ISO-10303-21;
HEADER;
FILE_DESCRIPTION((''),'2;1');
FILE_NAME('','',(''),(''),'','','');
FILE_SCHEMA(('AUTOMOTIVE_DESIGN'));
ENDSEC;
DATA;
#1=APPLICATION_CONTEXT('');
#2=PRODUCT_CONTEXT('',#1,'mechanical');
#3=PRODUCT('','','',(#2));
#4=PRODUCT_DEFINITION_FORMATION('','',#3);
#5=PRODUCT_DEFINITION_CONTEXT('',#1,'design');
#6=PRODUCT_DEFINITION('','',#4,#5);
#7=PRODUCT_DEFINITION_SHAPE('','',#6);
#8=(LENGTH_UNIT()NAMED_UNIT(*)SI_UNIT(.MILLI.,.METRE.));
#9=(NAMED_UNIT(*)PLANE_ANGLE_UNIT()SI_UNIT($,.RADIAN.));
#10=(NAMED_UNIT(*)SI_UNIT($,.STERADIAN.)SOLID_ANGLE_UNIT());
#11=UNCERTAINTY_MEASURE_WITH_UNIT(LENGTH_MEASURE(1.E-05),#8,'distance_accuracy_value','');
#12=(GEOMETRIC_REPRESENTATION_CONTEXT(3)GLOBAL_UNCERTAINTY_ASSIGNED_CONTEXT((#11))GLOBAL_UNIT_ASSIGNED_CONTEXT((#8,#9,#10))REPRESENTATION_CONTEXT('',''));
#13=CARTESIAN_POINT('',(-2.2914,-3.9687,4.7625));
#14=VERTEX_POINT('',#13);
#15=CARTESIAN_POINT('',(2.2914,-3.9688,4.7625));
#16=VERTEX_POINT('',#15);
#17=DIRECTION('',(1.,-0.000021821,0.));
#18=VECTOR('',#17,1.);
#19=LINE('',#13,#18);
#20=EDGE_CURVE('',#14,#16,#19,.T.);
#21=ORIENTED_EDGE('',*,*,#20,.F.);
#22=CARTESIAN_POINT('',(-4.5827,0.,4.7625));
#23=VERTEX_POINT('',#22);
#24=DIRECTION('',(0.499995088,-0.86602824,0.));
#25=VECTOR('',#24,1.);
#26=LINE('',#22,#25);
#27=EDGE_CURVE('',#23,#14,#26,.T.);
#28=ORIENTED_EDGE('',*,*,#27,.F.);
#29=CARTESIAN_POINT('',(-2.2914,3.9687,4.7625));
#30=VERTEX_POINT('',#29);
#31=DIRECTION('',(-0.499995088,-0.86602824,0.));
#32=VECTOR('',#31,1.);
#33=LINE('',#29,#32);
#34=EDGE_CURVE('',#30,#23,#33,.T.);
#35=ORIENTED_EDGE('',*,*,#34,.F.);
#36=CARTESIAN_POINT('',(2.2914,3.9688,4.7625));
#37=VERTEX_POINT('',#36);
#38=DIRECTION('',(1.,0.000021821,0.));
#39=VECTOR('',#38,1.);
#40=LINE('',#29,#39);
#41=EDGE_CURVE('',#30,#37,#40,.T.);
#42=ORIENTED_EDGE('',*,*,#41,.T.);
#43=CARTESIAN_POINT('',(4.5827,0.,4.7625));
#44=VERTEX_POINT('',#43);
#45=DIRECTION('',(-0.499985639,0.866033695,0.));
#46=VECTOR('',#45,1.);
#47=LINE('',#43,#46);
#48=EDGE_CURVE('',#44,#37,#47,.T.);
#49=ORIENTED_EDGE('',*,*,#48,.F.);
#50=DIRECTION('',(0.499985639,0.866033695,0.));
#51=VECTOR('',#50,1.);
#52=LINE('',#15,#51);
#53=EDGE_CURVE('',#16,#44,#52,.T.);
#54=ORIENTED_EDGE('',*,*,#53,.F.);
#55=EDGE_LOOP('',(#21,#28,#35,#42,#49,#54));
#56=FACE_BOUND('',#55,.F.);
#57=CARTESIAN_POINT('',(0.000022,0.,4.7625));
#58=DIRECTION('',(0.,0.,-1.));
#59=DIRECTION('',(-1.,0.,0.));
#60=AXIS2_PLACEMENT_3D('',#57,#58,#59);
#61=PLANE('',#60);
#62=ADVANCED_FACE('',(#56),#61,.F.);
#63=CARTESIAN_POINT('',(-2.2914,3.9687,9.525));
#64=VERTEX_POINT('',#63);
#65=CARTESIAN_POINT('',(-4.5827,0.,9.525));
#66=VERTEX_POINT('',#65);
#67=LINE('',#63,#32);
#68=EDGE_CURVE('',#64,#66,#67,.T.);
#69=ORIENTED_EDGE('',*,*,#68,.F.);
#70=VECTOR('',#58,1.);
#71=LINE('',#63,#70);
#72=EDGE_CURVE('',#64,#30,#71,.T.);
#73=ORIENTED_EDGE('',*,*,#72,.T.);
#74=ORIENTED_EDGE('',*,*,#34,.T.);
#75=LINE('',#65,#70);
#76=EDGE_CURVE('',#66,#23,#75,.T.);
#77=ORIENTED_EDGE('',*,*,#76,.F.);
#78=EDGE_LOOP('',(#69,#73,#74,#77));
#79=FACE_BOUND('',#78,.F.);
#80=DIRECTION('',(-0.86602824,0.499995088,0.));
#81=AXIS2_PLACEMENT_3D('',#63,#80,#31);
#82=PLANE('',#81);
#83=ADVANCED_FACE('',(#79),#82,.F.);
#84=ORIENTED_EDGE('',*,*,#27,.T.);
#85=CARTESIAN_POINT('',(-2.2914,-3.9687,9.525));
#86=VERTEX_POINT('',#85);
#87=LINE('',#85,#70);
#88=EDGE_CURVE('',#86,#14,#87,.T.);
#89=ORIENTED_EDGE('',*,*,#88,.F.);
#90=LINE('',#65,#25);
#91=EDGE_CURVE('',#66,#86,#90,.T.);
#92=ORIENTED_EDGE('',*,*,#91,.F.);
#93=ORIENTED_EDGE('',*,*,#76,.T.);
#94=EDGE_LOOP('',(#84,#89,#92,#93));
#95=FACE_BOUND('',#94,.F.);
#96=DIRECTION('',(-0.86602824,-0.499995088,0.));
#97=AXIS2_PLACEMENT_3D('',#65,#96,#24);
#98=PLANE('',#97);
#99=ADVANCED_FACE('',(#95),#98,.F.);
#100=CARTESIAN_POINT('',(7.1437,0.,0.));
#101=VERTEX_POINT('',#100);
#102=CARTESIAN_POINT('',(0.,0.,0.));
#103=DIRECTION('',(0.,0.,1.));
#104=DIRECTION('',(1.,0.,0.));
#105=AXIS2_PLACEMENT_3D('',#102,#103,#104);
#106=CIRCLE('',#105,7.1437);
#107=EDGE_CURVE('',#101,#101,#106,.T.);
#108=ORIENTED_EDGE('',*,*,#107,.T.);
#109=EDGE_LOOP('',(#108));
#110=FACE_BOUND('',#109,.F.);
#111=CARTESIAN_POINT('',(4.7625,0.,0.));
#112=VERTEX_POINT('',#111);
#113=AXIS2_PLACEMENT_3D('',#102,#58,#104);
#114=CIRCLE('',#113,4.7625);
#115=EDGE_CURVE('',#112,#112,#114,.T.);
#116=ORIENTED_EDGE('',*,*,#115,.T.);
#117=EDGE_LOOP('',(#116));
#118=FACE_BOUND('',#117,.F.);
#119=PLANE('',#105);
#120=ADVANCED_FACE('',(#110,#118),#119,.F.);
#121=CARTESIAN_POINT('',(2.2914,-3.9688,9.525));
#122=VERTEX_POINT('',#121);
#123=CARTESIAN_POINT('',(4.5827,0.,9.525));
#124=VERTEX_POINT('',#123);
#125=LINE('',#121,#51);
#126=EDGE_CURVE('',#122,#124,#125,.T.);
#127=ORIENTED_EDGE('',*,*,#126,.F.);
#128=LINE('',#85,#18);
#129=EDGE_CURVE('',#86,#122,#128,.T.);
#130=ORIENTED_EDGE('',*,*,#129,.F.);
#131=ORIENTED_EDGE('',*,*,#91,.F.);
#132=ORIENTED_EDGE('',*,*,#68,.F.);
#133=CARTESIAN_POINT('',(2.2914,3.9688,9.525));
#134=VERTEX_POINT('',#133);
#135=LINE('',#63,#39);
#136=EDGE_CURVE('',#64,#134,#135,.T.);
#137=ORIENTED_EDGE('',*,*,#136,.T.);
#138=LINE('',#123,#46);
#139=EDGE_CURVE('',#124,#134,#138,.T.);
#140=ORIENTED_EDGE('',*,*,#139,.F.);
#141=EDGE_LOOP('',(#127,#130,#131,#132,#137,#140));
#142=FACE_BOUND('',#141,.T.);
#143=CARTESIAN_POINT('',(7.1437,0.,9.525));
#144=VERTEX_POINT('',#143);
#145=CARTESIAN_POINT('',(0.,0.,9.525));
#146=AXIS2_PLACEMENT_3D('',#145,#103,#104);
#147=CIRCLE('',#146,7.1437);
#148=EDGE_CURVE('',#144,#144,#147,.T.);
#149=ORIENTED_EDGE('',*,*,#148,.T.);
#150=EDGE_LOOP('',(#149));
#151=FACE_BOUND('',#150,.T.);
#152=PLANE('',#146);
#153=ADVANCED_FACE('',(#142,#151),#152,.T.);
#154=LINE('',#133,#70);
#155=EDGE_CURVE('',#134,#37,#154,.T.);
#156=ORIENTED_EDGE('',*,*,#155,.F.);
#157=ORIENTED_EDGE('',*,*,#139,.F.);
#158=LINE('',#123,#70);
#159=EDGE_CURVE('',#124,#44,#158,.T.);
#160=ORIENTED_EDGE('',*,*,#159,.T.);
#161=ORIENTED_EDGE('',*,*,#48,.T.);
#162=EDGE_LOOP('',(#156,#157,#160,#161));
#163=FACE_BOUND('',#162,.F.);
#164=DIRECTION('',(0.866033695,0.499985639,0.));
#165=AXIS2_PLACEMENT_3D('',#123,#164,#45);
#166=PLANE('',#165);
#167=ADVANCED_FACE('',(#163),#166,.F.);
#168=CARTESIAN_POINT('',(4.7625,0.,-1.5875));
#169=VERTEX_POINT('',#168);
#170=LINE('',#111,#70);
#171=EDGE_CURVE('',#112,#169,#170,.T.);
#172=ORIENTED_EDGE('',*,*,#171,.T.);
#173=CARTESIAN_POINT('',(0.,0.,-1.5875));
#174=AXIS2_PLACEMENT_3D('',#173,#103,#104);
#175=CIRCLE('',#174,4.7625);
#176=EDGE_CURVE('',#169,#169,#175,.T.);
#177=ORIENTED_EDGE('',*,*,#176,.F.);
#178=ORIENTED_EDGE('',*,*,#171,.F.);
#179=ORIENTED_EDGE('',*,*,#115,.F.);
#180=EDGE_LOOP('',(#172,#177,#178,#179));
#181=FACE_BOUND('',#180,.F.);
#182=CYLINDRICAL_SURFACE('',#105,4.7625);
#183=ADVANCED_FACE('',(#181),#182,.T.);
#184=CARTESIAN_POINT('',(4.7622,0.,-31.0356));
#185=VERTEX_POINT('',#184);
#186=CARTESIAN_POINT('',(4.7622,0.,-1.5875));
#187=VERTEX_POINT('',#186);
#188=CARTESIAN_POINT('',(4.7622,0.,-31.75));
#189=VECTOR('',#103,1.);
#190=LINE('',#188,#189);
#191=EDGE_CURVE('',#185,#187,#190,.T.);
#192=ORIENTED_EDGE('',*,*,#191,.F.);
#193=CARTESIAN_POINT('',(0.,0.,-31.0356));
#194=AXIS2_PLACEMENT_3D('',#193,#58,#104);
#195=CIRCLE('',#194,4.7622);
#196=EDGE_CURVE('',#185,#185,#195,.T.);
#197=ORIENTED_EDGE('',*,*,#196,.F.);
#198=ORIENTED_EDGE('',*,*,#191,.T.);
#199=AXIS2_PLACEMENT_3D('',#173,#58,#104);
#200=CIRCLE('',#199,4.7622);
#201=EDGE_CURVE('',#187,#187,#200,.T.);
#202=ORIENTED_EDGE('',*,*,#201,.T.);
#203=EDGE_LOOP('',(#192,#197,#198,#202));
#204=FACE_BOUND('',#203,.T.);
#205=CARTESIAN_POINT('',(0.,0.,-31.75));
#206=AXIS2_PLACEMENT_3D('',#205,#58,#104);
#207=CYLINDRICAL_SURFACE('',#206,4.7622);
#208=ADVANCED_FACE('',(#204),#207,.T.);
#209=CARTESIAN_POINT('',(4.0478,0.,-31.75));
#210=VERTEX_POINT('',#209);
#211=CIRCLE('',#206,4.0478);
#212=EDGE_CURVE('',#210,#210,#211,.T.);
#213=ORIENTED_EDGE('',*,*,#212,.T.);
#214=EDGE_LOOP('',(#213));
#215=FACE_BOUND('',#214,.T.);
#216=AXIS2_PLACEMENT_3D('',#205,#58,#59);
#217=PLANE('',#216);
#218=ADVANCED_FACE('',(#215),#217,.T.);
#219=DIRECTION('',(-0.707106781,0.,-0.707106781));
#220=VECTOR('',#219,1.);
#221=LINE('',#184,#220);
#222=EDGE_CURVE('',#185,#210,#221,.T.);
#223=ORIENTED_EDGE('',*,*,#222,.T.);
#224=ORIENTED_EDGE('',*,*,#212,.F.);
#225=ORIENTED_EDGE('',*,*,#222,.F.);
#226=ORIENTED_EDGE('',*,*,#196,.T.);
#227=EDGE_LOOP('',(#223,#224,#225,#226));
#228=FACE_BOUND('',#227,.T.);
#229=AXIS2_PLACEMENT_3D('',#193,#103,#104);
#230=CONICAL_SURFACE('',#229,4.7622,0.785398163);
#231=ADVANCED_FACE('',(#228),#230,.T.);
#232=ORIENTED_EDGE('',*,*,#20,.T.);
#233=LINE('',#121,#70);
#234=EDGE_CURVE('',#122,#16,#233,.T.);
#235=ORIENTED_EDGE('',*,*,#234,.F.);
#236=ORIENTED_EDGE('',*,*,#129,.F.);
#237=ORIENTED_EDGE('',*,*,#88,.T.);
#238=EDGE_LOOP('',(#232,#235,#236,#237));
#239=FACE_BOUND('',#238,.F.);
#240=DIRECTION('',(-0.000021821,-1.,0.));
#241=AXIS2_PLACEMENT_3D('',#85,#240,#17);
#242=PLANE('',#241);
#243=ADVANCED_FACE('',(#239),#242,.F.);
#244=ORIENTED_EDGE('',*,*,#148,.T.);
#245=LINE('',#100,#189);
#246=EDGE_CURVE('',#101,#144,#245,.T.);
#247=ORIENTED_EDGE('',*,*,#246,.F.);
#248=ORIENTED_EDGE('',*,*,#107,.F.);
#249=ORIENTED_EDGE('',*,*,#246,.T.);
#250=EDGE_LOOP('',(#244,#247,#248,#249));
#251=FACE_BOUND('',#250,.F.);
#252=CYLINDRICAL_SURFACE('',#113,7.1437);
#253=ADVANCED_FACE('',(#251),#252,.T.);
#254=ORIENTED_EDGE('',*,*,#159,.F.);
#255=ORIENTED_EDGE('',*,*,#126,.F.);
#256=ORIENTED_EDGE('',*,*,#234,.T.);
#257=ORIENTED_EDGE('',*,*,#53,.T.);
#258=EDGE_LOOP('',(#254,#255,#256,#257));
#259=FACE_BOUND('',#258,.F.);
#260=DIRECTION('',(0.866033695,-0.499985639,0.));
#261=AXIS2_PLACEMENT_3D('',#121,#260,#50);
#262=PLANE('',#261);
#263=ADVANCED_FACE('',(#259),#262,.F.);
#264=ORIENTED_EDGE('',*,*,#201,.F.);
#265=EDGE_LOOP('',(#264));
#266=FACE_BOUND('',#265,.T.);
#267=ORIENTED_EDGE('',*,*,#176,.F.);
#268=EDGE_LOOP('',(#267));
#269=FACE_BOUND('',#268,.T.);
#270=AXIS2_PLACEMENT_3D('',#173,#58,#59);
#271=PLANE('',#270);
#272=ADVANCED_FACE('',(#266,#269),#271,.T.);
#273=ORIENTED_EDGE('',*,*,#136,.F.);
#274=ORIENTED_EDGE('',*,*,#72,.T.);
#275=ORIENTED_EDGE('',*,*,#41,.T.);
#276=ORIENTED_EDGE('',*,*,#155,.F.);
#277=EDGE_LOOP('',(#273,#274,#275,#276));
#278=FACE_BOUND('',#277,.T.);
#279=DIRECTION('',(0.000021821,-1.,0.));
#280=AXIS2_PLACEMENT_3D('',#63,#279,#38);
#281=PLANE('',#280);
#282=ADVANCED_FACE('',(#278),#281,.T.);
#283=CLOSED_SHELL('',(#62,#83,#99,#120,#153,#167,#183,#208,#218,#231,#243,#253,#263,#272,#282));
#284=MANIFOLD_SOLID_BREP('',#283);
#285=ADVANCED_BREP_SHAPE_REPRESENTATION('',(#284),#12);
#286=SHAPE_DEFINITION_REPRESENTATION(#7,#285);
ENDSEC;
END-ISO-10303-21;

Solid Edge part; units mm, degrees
sketch "Sketch1" plane through (0, 0, 0) normal (0, 0, 1) x (1, 0, 0)
  circle A0 centre (0, 0) radius 7.1437
  dimension "D1" = 14.2875
extrude "Protrusion1" add sketch "Sketch1" along normal blind 9.525
sketch "Sketch2" plane through (0, 0, 0) normal (0, 0, -1) x (1, 0, 0)
  circle A0 centre (0, 0) radius 4.7625
extrude "Protrusion2" add sketch "Sketch2" along normal blind 31.75
sketch "Sketch3" plane through (0, 0, -31.75) normal (0, 0, -1) x (1, 0, 0)
  circle A0 centre (0, 0) radius 4.7622
extrude "Cutout1" cut sketch "Sketch3" against normal blind 30.1625 flip side to cut
chamfer "Chamfer_1" distance 0.7144 angle 45 1 edges at (-4.7622, 0, -31.75)
sketch "Sketch4" plane through (0, 0, 9.525) normal (0, 0, 1) x (1, 0, 0)
  line L0 (-2.2914, 3.9687) -> (2.2914, 3.9688)
  line L1 (4.5827, 0) -> (2.2914, 3.9688)
  line L2 (2.2914, -3.9688) -> (4.5827, 0)
  line L3 (-2.2914, -3.9687) -> (2.2914, -3.9688)
  line L4 (-4.5827, 0) -> (-2.2914, -3.9688)
  line L5 (-2.2914, 3.9688) -> (-4.5827, 0)
  dimension "D1" = 7.9375
extrude "Cutout2" cut sketch "Sketch4" against normal blind 4.7625
properties part number "24104490"
